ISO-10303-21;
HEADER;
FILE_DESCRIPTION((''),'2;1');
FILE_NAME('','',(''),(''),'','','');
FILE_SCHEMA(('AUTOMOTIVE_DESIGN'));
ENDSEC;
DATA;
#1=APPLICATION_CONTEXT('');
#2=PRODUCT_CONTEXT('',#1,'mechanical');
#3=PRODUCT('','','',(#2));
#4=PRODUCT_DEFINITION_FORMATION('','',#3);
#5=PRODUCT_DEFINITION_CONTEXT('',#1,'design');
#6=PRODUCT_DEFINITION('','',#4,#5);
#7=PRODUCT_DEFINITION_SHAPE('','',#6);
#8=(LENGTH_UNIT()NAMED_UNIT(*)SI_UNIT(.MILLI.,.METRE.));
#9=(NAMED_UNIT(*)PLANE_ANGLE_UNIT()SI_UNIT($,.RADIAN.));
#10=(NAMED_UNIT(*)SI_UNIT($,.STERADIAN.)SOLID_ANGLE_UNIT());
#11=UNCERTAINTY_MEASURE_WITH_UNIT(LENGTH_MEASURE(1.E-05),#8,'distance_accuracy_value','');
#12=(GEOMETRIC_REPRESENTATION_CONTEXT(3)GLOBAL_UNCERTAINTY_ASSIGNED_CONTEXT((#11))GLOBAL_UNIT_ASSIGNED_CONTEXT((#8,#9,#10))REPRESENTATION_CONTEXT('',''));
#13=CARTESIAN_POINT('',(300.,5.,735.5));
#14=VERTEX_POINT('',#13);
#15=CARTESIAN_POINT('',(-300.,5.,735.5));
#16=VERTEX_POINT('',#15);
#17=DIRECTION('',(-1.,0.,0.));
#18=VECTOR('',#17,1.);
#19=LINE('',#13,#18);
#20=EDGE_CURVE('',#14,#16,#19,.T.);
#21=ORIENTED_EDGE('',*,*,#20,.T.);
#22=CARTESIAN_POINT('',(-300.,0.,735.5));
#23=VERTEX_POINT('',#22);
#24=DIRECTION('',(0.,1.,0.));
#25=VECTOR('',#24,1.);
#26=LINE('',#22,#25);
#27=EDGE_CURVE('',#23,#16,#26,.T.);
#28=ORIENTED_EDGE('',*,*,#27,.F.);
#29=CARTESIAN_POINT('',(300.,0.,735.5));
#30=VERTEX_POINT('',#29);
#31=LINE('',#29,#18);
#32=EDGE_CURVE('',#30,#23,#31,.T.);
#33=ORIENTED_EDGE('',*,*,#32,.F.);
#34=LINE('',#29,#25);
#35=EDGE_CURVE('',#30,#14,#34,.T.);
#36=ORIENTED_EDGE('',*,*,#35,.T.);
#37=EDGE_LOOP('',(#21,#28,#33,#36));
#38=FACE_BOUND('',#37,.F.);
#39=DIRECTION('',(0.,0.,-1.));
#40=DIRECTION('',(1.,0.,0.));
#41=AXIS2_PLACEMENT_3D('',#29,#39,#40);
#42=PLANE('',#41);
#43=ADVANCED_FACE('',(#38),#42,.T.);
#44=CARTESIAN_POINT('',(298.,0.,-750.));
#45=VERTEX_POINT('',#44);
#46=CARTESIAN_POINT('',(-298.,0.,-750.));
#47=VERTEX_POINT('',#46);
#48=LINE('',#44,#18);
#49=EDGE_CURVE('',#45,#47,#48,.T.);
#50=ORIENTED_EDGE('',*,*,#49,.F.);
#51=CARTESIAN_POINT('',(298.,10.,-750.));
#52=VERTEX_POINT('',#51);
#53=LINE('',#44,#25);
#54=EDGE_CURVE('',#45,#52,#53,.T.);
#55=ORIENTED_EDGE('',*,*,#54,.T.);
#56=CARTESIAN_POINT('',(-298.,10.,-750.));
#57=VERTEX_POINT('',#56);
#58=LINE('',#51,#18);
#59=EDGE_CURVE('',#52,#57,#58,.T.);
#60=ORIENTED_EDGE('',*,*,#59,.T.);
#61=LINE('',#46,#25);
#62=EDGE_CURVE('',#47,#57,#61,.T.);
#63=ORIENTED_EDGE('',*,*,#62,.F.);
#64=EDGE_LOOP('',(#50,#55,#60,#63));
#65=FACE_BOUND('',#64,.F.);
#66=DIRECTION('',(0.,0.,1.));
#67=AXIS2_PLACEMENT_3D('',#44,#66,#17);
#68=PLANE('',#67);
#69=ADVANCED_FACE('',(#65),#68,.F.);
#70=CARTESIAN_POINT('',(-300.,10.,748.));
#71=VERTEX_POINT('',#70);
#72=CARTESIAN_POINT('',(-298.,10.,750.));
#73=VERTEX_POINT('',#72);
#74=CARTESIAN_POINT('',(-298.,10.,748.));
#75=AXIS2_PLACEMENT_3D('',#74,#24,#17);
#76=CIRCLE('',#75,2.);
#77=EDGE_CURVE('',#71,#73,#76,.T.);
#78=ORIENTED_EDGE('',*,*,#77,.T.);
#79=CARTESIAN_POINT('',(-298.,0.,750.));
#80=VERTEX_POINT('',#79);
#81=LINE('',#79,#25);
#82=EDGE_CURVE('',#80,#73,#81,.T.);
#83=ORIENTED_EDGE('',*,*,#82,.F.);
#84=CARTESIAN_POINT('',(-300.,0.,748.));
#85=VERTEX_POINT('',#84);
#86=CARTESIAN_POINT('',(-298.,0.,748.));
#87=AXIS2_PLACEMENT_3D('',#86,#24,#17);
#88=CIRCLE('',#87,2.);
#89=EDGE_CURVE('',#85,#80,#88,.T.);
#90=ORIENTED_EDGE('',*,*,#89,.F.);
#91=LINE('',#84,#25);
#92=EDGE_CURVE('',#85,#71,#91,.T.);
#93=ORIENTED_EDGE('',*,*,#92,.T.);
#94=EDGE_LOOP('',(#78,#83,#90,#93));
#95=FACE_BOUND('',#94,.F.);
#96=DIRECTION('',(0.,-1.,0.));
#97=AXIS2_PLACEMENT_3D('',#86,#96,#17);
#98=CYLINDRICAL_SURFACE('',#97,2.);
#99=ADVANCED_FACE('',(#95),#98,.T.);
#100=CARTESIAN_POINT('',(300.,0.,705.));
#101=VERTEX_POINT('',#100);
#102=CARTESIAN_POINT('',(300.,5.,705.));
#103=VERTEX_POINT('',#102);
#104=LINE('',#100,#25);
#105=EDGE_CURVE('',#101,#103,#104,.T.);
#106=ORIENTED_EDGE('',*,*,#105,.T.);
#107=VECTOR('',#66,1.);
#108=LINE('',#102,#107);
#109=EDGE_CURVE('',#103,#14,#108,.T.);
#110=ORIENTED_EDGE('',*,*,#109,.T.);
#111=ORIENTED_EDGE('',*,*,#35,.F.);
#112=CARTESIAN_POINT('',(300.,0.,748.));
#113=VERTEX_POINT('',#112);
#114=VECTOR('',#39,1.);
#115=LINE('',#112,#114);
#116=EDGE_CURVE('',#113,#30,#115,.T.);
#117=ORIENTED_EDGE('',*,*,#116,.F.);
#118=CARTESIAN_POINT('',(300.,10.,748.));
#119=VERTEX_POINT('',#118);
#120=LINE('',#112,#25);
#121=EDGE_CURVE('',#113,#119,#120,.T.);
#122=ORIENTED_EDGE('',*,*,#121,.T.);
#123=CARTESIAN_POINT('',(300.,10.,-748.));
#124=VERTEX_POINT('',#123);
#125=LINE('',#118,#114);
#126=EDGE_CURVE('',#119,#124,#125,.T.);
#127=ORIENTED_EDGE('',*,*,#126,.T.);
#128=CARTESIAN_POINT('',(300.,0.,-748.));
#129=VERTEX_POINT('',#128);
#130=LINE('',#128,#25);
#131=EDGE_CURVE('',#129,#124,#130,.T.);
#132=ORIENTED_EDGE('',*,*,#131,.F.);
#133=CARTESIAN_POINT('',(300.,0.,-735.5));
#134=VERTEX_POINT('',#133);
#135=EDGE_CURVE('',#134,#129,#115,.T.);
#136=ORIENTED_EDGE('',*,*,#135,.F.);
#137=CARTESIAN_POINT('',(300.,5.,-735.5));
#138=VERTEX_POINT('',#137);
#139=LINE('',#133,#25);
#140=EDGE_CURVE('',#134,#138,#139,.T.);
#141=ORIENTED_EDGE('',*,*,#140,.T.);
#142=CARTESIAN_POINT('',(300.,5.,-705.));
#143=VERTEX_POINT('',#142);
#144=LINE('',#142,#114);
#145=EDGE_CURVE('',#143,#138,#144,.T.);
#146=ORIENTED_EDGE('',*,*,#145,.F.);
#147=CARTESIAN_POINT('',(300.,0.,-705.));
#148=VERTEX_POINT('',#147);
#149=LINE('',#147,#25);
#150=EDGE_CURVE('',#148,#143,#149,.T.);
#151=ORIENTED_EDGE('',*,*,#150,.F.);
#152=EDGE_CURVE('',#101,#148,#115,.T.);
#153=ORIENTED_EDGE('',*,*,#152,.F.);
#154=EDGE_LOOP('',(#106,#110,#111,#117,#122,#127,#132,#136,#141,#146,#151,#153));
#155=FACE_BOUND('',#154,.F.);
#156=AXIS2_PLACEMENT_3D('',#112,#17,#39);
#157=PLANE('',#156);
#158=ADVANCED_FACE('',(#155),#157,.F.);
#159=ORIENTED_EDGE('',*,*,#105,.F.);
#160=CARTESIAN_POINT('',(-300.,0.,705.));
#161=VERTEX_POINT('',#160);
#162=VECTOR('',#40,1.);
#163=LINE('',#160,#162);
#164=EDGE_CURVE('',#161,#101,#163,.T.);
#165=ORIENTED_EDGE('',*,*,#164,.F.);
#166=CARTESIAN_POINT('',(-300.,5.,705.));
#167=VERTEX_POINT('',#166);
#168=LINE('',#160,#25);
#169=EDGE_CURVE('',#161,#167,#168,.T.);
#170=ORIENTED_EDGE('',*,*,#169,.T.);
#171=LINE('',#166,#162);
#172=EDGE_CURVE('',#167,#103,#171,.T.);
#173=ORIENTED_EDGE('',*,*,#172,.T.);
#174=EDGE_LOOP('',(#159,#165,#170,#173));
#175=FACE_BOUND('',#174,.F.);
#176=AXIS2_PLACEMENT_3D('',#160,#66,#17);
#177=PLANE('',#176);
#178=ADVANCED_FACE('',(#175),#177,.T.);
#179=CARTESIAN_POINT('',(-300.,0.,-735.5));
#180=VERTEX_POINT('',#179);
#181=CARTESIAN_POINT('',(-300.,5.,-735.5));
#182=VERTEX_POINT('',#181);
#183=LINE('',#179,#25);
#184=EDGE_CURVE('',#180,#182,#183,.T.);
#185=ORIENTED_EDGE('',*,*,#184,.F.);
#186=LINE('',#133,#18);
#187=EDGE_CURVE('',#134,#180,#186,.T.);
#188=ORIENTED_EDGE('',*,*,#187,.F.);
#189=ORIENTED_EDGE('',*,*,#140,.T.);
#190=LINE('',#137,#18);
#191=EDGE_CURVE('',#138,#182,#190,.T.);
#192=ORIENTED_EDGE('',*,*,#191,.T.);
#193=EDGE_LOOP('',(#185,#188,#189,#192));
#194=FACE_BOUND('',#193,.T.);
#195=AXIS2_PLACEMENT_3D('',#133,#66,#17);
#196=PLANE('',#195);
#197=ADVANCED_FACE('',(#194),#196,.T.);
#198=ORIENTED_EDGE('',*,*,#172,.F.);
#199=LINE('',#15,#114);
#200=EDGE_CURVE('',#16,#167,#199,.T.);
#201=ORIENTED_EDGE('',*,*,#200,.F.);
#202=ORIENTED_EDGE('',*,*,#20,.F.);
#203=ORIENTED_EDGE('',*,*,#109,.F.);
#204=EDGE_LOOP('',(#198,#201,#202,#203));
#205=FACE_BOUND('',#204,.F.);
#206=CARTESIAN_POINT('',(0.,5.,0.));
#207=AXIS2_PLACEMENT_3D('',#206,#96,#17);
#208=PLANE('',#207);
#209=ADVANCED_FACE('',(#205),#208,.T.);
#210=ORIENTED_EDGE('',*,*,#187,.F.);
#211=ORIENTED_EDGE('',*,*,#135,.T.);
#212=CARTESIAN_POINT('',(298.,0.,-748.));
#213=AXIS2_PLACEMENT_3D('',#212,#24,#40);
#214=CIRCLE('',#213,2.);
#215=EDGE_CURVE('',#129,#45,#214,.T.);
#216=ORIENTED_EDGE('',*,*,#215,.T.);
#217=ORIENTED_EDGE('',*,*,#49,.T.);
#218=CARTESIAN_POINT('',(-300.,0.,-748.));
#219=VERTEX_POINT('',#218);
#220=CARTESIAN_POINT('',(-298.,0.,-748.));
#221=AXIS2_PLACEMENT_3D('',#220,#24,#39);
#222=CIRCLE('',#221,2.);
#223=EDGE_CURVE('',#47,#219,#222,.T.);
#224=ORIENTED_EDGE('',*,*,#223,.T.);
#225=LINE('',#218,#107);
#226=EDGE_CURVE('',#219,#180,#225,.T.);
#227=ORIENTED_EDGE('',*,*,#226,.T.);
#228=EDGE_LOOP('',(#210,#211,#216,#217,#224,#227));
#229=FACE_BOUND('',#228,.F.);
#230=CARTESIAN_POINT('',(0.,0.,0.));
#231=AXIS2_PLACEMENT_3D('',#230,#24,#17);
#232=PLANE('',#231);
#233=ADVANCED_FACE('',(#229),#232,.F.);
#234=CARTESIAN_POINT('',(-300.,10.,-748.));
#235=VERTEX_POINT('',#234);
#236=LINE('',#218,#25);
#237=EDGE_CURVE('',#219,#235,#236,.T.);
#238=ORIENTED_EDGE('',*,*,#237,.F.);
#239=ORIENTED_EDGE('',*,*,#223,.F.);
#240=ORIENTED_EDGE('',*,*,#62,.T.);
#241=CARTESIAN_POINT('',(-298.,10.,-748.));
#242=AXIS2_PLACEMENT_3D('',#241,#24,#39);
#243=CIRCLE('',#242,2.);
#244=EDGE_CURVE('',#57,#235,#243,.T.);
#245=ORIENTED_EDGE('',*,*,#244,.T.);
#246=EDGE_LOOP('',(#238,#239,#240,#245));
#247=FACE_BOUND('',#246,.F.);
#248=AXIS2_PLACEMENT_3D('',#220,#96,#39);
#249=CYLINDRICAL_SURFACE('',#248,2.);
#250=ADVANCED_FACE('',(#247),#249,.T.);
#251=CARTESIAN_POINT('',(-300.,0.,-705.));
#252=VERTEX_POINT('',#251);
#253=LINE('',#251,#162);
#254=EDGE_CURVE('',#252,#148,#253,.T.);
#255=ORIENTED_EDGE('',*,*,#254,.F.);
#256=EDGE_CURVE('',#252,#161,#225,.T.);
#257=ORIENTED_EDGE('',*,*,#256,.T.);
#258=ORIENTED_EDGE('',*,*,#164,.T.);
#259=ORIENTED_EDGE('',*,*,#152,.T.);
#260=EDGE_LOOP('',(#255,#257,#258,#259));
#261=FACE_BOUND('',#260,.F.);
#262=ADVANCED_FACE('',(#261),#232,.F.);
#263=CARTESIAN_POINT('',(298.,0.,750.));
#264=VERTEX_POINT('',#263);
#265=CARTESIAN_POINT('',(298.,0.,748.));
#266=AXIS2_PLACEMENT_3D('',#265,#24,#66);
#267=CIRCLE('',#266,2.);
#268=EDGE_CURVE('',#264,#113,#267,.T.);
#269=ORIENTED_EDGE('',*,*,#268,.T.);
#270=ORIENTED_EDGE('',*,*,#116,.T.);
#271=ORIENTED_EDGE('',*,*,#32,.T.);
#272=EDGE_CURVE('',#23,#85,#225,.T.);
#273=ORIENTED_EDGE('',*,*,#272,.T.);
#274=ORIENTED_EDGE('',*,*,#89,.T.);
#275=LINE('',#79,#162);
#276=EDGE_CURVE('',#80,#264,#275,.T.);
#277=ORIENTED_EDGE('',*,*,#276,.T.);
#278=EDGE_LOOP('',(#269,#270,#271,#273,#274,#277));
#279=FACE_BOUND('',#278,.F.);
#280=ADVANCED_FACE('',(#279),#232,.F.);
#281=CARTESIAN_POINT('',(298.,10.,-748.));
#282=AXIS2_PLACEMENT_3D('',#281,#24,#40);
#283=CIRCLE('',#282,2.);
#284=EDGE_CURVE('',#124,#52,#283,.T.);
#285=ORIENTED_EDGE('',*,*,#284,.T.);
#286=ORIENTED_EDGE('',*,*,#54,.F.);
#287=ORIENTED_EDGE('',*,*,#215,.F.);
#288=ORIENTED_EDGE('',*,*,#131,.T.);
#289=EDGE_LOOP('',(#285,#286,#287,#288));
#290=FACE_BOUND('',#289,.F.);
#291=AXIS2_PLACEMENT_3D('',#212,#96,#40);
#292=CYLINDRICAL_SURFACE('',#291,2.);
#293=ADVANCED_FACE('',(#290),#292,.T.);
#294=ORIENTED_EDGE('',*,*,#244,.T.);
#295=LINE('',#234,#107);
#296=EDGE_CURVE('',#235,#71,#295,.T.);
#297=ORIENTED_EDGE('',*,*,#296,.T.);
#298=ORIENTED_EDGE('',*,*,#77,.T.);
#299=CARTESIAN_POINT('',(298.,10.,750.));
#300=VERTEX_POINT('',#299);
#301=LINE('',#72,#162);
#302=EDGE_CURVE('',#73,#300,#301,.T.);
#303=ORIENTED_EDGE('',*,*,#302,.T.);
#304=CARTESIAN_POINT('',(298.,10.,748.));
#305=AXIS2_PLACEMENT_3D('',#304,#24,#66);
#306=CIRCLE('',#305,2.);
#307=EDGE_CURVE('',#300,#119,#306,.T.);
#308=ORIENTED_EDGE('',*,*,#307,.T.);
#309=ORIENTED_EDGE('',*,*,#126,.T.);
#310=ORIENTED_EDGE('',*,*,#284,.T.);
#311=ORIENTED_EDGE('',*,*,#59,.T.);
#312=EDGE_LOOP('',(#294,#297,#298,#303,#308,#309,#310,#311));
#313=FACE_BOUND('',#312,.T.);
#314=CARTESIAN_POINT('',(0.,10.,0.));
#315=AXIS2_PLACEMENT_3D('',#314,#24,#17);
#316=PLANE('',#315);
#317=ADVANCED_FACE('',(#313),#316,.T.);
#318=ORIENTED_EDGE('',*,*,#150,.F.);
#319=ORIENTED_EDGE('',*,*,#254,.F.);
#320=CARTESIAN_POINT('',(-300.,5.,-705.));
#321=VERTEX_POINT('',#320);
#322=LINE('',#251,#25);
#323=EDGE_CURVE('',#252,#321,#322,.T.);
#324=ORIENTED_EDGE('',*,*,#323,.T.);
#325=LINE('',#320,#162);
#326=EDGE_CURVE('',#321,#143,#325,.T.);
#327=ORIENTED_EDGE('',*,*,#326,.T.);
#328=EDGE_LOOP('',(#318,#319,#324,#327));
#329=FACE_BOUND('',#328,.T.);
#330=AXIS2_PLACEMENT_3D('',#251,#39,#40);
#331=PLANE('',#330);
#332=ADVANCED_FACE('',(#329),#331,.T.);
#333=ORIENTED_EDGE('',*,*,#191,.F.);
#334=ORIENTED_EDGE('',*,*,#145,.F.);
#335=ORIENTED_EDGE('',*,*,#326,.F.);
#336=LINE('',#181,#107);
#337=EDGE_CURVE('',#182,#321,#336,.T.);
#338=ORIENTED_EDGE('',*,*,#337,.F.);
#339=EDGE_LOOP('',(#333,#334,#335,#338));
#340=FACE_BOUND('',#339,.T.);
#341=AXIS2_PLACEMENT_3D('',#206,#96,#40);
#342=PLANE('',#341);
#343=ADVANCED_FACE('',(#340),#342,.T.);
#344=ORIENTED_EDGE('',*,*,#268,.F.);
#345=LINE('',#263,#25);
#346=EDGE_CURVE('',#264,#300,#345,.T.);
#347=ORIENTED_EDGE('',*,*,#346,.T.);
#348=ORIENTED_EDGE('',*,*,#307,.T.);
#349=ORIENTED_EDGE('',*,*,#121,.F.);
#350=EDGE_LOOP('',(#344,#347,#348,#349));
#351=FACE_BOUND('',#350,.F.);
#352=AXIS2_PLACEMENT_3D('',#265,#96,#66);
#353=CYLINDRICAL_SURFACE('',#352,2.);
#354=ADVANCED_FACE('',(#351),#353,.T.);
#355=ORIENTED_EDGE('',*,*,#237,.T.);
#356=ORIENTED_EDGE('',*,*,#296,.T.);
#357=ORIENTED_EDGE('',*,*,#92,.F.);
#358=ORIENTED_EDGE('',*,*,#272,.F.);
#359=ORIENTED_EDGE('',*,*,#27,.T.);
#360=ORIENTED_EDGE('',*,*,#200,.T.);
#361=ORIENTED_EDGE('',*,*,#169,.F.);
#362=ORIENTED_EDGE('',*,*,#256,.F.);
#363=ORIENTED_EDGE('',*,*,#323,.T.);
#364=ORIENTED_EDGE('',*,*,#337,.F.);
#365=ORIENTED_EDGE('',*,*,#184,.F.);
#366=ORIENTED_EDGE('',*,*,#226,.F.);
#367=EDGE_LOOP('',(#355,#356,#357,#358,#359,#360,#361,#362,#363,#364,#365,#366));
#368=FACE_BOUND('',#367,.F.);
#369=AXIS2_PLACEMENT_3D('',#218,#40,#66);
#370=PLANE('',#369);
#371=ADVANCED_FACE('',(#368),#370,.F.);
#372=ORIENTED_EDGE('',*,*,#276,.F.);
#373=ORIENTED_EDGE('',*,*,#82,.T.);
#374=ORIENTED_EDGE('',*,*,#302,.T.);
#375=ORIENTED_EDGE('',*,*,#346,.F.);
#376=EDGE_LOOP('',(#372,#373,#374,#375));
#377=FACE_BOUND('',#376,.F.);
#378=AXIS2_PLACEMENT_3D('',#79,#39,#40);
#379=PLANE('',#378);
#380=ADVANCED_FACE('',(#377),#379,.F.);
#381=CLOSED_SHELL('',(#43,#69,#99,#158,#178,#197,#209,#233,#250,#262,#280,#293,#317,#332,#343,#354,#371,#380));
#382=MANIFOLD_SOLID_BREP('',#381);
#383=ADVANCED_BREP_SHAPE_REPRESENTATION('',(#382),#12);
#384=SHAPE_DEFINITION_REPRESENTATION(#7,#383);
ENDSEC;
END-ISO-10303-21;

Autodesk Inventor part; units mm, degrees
ref_plane "YZ Plane" through (0, 0, 0) normal (1, 0, 0) x (0, 1, 0)
ref_plane "XZ Plane" through (0, 0, 0) normal (0, 1, 0) x (-1, 0, 0)
ref_plane "XY Plane" through (0, 0, 0) normal (0, 0, 1) x (1, 0, 0)
sketch "Esboço1" plane through (0, 0, 0) normal (0, 1, 0) x (-1, 0, 0)
  line L0 (-298, -750) -> (298, -750)
  line L1 (300, -748) -> (300, 748)
  line L2 (298, 750) -> (-298, 750)
  line L3 (-300, 748) -> (-300, -748)
  line L4 (-300, -750) -> (300, 750) construction
  line L5 (300, -750) -> (-300, 750) construction
  arc A0 (300, 748) -> (298, 750) centre (298, 748) ccw
  arc A1 (-298, 750) -> (-300, 748) centre (-298, 748) ccw
  arc A2 (298, -750) -> (300, -748) centre (298, -748) ccw
  arc A3 (-300, -748) -> (-298, -750) centre (-298, -748) ccw
  point P0 (0, 0)
  dimension "d0" = 600
  dimension "d1" = 1500
  dimension "d2" = 2
extrude "Extrusão1" add sketch "Esboço1" along normal blind 10
sketch "Esboço3" plane through (0, 0, 0) normal (0, -1, 0) x (1, 0, 0)
  line L0 (300, -735.5) -> (-300, -735.5)
  line L1 (-300, -735.5) -> (-300, -705)
  line L2 (-300, -705) -> (300, -705)
  line L3 (300, -705) -> (300, -735.5)
  line L4 (300, -735.5) -> (-300, -705) construction
  line L5 (-300, -735.5) -> (300, -705) construction
  line L6 (-420, 0) -> (420, 0) projected
  line L7 (298, -750) -> (-298, -750) projected
  line L8 (-300, 675) -> (-300, 705)
  point P0 (0, 0)
  point P1 (0, -720.25)
  point P2 (300, -720.25)
  point P3 (-300, -720.25)
  dimension "d13" = 30.5
  dimension "d14" = 600
  dimension "d15" = 705
  dimension "d16" = 14.5
extrude "Extrusão3" cut sketch "Esboço3" against normal blind 5
mirror "Espelhar1" about plane through (0, 0, 0) normal (0, 0, 1) of "Extrusão3"
equation "\"Raio_vergadura\" = Espessura"
equation "\"Largura_alívio_de_vergadura\" = Espessura"
equation "\"Profundidade_alívio_de_vergadura\" = 0.5 * Espessura"
equation "\"Tamanho_alívio_de_dobra\" = 4 * Espessura"
equation "\"Remanescente_mínimo\" = 2 * Espessura"
equation "\"Raiodetransição\" = Raio_vergadura"
equation "\"Tamanho_de_raio_de_Jacobi\" = Raio_vergadura"
equation "\"TamanhoFolga\" = Espessura"
equation "\"Espessura\" = 0.5"
properties part number "Superfície"
